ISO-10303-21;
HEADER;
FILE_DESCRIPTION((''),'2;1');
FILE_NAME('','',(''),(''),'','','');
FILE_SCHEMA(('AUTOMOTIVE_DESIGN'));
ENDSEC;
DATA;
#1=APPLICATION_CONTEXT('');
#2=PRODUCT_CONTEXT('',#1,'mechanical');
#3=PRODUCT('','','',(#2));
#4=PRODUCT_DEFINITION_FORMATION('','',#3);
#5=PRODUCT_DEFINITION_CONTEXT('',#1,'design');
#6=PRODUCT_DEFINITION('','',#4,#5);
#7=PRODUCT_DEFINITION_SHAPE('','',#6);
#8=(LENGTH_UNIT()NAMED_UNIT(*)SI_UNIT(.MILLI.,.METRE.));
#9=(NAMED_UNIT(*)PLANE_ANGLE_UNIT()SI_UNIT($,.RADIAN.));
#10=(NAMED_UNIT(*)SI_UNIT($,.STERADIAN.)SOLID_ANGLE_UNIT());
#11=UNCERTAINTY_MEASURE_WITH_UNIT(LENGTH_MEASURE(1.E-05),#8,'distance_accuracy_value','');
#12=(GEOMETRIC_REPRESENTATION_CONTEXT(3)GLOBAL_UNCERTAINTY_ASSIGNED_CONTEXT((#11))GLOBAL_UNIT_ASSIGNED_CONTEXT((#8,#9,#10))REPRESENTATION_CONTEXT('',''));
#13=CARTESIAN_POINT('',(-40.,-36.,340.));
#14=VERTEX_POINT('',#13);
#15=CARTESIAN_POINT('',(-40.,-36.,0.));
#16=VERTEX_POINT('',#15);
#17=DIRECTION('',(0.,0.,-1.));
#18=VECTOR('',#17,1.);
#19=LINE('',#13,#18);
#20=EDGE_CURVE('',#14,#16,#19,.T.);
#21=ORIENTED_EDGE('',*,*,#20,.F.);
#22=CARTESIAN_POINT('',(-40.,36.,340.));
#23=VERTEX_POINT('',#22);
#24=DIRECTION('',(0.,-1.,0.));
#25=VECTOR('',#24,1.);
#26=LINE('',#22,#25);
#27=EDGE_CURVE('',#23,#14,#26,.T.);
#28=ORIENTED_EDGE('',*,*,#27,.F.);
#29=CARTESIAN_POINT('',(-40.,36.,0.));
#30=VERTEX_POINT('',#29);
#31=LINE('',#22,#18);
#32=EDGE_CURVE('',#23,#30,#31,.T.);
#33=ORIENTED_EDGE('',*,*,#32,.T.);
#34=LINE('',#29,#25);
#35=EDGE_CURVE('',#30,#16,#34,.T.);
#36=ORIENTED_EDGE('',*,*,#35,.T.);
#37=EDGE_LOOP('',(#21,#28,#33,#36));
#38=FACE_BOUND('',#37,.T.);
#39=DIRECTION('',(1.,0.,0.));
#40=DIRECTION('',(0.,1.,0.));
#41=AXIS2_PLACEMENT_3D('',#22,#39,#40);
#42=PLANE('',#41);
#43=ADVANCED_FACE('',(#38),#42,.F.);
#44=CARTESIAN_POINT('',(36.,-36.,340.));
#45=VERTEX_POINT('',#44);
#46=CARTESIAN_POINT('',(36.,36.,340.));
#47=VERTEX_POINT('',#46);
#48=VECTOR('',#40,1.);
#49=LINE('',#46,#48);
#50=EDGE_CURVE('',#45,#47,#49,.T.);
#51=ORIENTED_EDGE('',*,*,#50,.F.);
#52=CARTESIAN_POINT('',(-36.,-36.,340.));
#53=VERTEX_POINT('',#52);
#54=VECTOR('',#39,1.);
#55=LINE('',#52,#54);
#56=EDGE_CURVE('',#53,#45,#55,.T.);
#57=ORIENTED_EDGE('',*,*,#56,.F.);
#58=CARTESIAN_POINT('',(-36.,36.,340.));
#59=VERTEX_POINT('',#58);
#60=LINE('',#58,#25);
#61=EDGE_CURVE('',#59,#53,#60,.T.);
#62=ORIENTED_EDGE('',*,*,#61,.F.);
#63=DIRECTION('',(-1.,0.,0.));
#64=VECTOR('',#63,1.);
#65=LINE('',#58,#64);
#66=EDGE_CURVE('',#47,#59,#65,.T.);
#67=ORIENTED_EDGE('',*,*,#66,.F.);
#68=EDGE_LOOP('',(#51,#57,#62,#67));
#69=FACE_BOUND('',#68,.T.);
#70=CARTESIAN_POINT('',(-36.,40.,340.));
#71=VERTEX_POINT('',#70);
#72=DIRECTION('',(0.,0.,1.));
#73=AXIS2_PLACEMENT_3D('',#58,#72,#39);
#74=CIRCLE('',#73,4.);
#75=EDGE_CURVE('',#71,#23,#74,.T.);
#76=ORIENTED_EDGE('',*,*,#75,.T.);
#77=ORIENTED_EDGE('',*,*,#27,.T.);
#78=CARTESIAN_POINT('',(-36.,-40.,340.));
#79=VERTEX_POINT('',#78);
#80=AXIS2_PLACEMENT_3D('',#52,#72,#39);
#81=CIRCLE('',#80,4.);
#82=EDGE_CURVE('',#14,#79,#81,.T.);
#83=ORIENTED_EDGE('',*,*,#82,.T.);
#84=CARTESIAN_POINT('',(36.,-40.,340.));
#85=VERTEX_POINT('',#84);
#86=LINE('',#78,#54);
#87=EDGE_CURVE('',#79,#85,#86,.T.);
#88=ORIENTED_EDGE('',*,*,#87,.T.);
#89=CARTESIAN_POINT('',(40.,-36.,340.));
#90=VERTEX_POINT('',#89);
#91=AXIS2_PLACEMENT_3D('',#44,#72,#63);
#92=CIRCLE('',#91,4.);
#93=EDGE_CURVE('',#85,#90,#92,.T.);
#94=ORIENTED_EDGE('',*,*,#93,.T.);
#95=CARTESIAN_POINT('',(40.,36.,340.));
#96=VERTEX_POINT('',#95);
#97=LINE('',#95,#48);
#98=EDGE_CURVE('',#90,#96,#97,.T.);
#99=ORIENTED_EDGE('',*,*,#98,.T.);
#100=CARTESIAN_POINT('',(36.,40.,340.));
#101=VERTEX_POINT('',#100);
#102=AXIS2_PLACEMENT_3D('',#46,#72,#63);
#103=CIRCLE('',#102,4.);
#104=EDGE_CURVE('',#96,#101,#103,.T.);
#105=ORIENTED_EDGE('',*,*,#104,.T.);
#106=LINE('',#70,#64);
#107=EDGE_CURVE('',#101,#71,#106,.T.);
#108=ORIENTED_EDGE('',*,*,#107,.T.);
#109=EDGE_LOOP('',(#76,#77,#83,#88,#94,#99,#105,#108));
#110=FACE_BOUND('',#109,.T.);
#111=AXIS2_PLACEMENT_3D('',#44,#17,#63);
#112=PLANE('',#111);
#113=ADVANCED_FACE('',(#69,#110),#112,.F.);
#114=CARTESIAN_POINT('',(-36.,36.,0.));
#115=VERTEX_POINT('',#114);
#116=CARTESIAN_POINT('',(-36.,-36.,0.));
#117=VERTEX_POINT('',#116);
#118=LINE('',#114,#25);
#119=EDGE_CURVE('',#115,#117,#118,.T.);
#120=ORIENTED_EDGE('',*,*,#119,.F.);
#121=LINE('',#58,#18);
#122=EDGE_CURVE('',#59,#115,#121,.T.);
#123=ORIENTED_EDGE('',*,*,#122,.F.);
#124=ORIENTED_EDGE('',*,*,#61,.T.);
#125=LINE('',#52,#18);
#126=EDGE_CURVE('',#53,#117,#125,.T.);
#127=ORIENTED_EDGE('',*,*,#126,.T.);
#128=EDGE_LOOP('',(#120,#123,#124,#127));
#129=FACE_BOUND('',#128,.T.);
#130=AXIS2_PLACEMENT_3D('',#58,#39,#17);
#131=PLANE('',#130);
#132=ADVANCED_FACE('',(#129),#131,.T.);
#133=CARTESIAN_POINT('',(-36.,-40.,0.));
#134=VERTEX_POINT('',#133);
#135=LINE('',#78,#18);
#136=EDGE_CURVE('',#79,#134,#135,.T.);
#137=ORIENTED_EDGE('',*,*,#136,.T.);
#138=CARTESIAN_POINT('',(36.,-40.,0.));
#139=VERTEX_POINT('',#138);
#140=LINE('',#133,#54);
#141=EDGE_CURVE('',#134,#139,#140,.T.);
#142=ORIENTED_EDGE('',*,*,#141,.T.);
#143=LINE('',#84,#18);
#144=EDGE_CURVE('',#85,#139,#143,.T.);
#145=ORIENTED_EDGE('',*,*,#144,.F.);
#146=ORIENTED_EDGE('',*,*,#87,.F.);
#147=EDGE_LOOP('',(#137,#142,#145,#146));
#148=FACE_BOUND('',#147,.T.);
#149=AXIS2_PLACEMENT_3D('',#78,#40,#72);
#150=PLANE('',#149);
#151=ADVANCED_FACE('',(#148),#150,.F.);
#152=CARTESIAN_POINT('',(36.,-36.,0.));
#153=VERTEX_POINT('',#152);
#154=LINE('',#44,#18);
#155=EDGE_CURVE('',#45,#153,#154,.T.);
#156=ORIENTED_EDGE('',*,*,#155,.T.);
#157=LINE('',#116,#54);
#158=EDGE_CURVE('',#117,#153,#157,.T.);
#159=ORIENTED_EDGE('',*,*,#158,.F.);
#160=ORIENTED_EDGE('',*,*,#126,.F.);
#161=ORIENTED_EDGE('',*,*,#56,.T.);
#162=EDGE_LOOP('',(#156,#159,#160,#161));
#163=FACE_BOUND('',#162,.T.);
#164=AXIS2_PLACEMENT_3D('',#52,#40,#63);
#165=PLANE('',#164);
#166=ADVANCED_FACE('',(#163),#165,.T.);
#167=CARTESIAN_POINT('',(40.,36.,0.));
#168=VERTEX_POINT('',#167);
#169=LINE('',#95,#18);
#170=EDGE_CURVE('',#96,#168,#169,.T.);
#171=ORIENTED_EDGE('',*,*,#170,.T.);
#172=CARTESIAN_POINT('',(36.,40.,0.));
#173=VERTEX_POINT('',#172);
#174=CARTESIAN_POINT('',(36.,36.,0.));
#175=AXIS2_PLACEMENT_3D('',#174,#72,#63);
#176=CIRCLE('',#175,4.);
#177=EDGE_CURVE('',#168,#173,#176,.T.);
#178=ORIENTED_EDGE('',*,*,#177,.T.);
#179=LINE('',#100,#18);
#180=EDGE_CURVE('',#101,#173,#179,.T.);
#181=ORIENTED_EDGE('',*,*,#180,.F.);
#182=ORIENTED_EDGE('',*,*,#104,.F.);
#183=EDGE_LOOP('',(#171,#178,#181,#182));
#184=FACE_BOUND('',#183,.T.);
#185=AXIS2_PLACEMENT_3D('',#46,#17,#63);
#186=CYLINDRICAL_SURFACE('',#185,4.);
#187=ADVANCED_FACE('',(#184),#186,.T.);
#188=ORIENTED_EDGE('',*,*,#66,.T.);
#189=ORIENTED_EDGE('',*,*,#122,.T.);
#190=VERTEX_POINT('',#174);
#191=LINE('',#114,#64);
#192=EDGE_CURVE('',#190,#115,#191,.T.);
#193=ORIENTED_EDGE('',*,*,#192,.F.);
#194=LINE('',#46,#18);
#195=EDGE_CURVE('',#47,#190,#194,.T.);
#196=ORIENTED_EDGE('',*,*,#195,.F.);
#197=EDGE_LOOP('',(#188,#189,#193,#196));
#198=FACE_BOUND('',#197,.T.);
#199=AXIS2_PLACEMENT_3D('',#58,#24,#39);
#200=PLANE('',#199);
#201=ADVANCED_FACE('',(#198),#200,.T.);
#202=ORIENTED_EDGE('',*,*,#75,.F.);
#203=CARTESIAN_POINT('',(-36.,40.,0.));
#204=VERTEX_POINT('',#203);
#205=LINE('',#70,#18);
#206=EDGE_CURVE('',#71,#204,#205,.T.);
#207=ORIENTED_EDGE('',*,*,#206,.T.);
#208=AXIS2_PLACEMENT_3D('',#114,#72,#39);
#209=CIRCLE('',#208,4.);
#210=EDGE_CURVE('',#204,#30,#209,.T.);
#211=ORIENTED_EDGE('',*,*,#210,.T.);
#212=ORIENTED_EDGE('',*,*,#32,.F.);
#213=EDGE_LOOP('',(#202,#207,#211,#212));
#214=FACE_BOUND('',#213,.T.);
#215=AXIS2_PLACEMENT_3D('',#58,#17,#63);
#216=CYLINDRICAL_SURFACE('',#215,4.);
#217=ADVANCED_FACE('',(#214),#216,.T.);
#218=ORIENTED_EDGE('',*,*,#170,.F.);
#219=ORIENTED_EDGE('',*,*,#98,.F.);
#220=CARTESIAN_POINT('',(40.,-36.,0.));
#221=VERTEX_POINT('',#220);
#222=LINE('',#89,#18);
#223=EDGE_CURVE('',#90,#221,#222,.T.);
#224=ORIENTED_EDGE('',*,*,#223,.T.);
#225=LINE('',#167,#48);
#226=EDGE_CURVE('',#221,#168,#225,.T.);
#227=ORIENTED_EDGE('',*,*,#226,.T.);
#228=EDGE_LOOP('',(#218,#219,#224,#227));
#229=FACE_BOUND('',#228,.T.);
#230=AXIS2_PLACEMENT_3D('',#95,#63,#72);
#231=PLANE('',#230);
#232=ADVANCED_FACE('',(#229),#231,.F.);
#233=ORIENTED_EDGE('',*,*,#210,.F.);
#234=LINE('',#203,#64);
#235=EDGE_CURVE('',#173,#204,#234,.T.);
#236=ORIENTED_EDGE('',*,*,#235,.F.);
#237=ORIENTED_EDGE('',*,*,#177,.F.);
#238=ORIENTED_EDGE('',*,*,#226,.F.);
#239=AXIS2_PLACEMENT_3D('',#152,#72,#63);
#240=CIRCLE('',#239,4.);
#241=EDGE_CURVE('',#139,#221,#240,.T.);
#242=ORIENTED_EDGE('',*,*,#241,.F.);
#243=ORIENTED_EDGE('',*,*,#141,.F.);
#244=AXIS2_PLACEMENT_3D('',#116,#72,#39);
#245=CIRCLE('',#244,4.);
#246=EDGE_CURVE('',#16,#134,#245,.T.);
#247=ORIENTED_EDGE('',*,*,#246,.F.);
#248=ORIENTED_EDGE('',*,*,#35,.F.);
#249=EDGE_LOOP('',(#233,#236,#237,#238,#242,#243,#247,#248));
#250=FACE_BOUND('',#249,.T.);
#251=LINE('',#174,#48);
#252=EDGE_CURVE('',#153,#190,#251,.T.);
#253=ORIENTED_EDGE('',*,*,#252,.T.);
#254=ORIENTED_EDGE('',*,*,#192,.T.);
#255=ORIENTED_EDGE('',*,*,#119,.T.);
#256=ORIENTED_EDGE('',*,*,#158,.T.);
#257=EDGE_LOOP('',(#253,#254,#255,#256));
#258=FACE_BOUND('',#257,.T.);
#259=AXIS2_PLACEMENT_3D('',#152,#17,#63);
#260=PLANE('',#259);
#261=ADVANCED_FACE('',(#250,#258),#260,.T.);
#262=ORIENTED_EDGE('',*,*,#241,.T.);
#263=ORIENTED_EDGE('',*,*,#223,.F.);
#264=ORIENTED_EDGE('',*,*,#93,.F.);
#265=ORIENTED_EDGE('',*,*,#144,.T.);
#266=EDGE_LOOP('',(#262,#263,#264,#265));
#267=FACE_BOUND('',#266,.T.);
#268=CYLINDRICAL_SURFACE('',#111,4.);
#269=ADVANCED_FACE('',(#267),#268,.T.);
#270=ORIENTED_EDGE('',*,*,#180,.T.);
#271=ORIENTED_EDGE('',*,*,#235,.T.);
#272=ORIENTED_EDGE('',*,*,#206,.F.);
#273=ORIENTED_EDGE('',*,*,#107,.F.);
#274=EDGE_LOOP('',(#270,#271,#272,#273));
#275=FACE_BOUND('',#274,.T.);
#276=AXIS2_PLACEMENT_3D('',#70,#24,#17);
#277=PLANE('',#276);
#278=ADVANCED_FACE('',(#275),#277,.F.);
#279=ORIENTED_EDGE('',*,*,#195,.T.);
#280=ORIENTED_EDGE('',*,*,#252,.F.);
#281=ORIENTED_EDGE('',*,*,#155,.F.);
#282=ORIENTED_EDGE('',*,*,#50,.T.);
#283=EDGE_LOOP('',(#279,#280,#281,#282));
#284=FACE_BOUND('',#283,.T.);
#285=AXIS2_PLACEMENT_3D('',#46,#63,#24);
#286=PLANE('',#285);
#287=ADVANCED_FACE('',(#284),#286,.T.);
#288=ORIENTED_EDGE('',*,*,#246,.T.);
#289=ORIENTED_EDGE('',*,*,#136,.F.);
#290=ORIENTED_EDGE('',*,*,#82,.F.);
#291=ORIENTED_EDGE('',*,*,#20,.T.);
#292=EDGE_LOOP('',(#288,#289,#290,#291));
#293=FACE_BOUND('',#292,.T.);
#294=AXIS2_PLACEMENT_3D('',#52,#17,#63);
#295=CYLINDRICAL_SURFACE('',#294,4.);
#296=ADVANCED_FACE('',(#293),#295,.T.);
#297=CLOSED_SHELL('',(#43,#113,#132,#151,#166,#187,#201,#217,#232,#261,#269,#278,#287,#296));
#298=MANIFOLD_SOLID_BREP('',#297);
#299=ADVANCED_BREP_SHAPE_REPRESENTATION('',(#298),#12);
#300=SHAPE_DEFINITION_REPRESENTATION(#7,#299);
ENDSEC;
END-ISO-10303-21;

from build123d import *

# Parameters (mm, degrees)
IZIM1_W                     = 72
IZIM1_H                     = 72
Y_KSEKLIK_EKSTR_ZYON1_DEPTH = 340


with BuildPart() as part:
    # Çizim1 → Yükseklik-Ekstrüzyon1 (new body)
    with BuildSketch(Plane.XY):
        with BuildLine():
            Line((-36, 40), (36, 40))
            ThreePointArc((36, 40), (38.828427125, 38.828427125), (40, 36))
            Line((40, 36), (40, -36))
            ThreePointArc((40, -36), (38.828427125, -38.828427125), (36, -40))
            Line((36, -40), (-36, -40))
            ThreePointArc((-36, -40), (-38.828427125, -38.828427125), (-40, -36))
            Line((-40, -36), (-40, 36))
            ThreePointArc((-40, 36), (-38.828427125, 38.828427125), (-36, 40))
        make_face()
        Rectangle(IZIM1_W, IZIM1_H, mode=Mode.SUBTRACT)
    extrude(amount=Y_KSEKLIK_EKSTR_ZYON1_DEPTH)


solid = part.part
